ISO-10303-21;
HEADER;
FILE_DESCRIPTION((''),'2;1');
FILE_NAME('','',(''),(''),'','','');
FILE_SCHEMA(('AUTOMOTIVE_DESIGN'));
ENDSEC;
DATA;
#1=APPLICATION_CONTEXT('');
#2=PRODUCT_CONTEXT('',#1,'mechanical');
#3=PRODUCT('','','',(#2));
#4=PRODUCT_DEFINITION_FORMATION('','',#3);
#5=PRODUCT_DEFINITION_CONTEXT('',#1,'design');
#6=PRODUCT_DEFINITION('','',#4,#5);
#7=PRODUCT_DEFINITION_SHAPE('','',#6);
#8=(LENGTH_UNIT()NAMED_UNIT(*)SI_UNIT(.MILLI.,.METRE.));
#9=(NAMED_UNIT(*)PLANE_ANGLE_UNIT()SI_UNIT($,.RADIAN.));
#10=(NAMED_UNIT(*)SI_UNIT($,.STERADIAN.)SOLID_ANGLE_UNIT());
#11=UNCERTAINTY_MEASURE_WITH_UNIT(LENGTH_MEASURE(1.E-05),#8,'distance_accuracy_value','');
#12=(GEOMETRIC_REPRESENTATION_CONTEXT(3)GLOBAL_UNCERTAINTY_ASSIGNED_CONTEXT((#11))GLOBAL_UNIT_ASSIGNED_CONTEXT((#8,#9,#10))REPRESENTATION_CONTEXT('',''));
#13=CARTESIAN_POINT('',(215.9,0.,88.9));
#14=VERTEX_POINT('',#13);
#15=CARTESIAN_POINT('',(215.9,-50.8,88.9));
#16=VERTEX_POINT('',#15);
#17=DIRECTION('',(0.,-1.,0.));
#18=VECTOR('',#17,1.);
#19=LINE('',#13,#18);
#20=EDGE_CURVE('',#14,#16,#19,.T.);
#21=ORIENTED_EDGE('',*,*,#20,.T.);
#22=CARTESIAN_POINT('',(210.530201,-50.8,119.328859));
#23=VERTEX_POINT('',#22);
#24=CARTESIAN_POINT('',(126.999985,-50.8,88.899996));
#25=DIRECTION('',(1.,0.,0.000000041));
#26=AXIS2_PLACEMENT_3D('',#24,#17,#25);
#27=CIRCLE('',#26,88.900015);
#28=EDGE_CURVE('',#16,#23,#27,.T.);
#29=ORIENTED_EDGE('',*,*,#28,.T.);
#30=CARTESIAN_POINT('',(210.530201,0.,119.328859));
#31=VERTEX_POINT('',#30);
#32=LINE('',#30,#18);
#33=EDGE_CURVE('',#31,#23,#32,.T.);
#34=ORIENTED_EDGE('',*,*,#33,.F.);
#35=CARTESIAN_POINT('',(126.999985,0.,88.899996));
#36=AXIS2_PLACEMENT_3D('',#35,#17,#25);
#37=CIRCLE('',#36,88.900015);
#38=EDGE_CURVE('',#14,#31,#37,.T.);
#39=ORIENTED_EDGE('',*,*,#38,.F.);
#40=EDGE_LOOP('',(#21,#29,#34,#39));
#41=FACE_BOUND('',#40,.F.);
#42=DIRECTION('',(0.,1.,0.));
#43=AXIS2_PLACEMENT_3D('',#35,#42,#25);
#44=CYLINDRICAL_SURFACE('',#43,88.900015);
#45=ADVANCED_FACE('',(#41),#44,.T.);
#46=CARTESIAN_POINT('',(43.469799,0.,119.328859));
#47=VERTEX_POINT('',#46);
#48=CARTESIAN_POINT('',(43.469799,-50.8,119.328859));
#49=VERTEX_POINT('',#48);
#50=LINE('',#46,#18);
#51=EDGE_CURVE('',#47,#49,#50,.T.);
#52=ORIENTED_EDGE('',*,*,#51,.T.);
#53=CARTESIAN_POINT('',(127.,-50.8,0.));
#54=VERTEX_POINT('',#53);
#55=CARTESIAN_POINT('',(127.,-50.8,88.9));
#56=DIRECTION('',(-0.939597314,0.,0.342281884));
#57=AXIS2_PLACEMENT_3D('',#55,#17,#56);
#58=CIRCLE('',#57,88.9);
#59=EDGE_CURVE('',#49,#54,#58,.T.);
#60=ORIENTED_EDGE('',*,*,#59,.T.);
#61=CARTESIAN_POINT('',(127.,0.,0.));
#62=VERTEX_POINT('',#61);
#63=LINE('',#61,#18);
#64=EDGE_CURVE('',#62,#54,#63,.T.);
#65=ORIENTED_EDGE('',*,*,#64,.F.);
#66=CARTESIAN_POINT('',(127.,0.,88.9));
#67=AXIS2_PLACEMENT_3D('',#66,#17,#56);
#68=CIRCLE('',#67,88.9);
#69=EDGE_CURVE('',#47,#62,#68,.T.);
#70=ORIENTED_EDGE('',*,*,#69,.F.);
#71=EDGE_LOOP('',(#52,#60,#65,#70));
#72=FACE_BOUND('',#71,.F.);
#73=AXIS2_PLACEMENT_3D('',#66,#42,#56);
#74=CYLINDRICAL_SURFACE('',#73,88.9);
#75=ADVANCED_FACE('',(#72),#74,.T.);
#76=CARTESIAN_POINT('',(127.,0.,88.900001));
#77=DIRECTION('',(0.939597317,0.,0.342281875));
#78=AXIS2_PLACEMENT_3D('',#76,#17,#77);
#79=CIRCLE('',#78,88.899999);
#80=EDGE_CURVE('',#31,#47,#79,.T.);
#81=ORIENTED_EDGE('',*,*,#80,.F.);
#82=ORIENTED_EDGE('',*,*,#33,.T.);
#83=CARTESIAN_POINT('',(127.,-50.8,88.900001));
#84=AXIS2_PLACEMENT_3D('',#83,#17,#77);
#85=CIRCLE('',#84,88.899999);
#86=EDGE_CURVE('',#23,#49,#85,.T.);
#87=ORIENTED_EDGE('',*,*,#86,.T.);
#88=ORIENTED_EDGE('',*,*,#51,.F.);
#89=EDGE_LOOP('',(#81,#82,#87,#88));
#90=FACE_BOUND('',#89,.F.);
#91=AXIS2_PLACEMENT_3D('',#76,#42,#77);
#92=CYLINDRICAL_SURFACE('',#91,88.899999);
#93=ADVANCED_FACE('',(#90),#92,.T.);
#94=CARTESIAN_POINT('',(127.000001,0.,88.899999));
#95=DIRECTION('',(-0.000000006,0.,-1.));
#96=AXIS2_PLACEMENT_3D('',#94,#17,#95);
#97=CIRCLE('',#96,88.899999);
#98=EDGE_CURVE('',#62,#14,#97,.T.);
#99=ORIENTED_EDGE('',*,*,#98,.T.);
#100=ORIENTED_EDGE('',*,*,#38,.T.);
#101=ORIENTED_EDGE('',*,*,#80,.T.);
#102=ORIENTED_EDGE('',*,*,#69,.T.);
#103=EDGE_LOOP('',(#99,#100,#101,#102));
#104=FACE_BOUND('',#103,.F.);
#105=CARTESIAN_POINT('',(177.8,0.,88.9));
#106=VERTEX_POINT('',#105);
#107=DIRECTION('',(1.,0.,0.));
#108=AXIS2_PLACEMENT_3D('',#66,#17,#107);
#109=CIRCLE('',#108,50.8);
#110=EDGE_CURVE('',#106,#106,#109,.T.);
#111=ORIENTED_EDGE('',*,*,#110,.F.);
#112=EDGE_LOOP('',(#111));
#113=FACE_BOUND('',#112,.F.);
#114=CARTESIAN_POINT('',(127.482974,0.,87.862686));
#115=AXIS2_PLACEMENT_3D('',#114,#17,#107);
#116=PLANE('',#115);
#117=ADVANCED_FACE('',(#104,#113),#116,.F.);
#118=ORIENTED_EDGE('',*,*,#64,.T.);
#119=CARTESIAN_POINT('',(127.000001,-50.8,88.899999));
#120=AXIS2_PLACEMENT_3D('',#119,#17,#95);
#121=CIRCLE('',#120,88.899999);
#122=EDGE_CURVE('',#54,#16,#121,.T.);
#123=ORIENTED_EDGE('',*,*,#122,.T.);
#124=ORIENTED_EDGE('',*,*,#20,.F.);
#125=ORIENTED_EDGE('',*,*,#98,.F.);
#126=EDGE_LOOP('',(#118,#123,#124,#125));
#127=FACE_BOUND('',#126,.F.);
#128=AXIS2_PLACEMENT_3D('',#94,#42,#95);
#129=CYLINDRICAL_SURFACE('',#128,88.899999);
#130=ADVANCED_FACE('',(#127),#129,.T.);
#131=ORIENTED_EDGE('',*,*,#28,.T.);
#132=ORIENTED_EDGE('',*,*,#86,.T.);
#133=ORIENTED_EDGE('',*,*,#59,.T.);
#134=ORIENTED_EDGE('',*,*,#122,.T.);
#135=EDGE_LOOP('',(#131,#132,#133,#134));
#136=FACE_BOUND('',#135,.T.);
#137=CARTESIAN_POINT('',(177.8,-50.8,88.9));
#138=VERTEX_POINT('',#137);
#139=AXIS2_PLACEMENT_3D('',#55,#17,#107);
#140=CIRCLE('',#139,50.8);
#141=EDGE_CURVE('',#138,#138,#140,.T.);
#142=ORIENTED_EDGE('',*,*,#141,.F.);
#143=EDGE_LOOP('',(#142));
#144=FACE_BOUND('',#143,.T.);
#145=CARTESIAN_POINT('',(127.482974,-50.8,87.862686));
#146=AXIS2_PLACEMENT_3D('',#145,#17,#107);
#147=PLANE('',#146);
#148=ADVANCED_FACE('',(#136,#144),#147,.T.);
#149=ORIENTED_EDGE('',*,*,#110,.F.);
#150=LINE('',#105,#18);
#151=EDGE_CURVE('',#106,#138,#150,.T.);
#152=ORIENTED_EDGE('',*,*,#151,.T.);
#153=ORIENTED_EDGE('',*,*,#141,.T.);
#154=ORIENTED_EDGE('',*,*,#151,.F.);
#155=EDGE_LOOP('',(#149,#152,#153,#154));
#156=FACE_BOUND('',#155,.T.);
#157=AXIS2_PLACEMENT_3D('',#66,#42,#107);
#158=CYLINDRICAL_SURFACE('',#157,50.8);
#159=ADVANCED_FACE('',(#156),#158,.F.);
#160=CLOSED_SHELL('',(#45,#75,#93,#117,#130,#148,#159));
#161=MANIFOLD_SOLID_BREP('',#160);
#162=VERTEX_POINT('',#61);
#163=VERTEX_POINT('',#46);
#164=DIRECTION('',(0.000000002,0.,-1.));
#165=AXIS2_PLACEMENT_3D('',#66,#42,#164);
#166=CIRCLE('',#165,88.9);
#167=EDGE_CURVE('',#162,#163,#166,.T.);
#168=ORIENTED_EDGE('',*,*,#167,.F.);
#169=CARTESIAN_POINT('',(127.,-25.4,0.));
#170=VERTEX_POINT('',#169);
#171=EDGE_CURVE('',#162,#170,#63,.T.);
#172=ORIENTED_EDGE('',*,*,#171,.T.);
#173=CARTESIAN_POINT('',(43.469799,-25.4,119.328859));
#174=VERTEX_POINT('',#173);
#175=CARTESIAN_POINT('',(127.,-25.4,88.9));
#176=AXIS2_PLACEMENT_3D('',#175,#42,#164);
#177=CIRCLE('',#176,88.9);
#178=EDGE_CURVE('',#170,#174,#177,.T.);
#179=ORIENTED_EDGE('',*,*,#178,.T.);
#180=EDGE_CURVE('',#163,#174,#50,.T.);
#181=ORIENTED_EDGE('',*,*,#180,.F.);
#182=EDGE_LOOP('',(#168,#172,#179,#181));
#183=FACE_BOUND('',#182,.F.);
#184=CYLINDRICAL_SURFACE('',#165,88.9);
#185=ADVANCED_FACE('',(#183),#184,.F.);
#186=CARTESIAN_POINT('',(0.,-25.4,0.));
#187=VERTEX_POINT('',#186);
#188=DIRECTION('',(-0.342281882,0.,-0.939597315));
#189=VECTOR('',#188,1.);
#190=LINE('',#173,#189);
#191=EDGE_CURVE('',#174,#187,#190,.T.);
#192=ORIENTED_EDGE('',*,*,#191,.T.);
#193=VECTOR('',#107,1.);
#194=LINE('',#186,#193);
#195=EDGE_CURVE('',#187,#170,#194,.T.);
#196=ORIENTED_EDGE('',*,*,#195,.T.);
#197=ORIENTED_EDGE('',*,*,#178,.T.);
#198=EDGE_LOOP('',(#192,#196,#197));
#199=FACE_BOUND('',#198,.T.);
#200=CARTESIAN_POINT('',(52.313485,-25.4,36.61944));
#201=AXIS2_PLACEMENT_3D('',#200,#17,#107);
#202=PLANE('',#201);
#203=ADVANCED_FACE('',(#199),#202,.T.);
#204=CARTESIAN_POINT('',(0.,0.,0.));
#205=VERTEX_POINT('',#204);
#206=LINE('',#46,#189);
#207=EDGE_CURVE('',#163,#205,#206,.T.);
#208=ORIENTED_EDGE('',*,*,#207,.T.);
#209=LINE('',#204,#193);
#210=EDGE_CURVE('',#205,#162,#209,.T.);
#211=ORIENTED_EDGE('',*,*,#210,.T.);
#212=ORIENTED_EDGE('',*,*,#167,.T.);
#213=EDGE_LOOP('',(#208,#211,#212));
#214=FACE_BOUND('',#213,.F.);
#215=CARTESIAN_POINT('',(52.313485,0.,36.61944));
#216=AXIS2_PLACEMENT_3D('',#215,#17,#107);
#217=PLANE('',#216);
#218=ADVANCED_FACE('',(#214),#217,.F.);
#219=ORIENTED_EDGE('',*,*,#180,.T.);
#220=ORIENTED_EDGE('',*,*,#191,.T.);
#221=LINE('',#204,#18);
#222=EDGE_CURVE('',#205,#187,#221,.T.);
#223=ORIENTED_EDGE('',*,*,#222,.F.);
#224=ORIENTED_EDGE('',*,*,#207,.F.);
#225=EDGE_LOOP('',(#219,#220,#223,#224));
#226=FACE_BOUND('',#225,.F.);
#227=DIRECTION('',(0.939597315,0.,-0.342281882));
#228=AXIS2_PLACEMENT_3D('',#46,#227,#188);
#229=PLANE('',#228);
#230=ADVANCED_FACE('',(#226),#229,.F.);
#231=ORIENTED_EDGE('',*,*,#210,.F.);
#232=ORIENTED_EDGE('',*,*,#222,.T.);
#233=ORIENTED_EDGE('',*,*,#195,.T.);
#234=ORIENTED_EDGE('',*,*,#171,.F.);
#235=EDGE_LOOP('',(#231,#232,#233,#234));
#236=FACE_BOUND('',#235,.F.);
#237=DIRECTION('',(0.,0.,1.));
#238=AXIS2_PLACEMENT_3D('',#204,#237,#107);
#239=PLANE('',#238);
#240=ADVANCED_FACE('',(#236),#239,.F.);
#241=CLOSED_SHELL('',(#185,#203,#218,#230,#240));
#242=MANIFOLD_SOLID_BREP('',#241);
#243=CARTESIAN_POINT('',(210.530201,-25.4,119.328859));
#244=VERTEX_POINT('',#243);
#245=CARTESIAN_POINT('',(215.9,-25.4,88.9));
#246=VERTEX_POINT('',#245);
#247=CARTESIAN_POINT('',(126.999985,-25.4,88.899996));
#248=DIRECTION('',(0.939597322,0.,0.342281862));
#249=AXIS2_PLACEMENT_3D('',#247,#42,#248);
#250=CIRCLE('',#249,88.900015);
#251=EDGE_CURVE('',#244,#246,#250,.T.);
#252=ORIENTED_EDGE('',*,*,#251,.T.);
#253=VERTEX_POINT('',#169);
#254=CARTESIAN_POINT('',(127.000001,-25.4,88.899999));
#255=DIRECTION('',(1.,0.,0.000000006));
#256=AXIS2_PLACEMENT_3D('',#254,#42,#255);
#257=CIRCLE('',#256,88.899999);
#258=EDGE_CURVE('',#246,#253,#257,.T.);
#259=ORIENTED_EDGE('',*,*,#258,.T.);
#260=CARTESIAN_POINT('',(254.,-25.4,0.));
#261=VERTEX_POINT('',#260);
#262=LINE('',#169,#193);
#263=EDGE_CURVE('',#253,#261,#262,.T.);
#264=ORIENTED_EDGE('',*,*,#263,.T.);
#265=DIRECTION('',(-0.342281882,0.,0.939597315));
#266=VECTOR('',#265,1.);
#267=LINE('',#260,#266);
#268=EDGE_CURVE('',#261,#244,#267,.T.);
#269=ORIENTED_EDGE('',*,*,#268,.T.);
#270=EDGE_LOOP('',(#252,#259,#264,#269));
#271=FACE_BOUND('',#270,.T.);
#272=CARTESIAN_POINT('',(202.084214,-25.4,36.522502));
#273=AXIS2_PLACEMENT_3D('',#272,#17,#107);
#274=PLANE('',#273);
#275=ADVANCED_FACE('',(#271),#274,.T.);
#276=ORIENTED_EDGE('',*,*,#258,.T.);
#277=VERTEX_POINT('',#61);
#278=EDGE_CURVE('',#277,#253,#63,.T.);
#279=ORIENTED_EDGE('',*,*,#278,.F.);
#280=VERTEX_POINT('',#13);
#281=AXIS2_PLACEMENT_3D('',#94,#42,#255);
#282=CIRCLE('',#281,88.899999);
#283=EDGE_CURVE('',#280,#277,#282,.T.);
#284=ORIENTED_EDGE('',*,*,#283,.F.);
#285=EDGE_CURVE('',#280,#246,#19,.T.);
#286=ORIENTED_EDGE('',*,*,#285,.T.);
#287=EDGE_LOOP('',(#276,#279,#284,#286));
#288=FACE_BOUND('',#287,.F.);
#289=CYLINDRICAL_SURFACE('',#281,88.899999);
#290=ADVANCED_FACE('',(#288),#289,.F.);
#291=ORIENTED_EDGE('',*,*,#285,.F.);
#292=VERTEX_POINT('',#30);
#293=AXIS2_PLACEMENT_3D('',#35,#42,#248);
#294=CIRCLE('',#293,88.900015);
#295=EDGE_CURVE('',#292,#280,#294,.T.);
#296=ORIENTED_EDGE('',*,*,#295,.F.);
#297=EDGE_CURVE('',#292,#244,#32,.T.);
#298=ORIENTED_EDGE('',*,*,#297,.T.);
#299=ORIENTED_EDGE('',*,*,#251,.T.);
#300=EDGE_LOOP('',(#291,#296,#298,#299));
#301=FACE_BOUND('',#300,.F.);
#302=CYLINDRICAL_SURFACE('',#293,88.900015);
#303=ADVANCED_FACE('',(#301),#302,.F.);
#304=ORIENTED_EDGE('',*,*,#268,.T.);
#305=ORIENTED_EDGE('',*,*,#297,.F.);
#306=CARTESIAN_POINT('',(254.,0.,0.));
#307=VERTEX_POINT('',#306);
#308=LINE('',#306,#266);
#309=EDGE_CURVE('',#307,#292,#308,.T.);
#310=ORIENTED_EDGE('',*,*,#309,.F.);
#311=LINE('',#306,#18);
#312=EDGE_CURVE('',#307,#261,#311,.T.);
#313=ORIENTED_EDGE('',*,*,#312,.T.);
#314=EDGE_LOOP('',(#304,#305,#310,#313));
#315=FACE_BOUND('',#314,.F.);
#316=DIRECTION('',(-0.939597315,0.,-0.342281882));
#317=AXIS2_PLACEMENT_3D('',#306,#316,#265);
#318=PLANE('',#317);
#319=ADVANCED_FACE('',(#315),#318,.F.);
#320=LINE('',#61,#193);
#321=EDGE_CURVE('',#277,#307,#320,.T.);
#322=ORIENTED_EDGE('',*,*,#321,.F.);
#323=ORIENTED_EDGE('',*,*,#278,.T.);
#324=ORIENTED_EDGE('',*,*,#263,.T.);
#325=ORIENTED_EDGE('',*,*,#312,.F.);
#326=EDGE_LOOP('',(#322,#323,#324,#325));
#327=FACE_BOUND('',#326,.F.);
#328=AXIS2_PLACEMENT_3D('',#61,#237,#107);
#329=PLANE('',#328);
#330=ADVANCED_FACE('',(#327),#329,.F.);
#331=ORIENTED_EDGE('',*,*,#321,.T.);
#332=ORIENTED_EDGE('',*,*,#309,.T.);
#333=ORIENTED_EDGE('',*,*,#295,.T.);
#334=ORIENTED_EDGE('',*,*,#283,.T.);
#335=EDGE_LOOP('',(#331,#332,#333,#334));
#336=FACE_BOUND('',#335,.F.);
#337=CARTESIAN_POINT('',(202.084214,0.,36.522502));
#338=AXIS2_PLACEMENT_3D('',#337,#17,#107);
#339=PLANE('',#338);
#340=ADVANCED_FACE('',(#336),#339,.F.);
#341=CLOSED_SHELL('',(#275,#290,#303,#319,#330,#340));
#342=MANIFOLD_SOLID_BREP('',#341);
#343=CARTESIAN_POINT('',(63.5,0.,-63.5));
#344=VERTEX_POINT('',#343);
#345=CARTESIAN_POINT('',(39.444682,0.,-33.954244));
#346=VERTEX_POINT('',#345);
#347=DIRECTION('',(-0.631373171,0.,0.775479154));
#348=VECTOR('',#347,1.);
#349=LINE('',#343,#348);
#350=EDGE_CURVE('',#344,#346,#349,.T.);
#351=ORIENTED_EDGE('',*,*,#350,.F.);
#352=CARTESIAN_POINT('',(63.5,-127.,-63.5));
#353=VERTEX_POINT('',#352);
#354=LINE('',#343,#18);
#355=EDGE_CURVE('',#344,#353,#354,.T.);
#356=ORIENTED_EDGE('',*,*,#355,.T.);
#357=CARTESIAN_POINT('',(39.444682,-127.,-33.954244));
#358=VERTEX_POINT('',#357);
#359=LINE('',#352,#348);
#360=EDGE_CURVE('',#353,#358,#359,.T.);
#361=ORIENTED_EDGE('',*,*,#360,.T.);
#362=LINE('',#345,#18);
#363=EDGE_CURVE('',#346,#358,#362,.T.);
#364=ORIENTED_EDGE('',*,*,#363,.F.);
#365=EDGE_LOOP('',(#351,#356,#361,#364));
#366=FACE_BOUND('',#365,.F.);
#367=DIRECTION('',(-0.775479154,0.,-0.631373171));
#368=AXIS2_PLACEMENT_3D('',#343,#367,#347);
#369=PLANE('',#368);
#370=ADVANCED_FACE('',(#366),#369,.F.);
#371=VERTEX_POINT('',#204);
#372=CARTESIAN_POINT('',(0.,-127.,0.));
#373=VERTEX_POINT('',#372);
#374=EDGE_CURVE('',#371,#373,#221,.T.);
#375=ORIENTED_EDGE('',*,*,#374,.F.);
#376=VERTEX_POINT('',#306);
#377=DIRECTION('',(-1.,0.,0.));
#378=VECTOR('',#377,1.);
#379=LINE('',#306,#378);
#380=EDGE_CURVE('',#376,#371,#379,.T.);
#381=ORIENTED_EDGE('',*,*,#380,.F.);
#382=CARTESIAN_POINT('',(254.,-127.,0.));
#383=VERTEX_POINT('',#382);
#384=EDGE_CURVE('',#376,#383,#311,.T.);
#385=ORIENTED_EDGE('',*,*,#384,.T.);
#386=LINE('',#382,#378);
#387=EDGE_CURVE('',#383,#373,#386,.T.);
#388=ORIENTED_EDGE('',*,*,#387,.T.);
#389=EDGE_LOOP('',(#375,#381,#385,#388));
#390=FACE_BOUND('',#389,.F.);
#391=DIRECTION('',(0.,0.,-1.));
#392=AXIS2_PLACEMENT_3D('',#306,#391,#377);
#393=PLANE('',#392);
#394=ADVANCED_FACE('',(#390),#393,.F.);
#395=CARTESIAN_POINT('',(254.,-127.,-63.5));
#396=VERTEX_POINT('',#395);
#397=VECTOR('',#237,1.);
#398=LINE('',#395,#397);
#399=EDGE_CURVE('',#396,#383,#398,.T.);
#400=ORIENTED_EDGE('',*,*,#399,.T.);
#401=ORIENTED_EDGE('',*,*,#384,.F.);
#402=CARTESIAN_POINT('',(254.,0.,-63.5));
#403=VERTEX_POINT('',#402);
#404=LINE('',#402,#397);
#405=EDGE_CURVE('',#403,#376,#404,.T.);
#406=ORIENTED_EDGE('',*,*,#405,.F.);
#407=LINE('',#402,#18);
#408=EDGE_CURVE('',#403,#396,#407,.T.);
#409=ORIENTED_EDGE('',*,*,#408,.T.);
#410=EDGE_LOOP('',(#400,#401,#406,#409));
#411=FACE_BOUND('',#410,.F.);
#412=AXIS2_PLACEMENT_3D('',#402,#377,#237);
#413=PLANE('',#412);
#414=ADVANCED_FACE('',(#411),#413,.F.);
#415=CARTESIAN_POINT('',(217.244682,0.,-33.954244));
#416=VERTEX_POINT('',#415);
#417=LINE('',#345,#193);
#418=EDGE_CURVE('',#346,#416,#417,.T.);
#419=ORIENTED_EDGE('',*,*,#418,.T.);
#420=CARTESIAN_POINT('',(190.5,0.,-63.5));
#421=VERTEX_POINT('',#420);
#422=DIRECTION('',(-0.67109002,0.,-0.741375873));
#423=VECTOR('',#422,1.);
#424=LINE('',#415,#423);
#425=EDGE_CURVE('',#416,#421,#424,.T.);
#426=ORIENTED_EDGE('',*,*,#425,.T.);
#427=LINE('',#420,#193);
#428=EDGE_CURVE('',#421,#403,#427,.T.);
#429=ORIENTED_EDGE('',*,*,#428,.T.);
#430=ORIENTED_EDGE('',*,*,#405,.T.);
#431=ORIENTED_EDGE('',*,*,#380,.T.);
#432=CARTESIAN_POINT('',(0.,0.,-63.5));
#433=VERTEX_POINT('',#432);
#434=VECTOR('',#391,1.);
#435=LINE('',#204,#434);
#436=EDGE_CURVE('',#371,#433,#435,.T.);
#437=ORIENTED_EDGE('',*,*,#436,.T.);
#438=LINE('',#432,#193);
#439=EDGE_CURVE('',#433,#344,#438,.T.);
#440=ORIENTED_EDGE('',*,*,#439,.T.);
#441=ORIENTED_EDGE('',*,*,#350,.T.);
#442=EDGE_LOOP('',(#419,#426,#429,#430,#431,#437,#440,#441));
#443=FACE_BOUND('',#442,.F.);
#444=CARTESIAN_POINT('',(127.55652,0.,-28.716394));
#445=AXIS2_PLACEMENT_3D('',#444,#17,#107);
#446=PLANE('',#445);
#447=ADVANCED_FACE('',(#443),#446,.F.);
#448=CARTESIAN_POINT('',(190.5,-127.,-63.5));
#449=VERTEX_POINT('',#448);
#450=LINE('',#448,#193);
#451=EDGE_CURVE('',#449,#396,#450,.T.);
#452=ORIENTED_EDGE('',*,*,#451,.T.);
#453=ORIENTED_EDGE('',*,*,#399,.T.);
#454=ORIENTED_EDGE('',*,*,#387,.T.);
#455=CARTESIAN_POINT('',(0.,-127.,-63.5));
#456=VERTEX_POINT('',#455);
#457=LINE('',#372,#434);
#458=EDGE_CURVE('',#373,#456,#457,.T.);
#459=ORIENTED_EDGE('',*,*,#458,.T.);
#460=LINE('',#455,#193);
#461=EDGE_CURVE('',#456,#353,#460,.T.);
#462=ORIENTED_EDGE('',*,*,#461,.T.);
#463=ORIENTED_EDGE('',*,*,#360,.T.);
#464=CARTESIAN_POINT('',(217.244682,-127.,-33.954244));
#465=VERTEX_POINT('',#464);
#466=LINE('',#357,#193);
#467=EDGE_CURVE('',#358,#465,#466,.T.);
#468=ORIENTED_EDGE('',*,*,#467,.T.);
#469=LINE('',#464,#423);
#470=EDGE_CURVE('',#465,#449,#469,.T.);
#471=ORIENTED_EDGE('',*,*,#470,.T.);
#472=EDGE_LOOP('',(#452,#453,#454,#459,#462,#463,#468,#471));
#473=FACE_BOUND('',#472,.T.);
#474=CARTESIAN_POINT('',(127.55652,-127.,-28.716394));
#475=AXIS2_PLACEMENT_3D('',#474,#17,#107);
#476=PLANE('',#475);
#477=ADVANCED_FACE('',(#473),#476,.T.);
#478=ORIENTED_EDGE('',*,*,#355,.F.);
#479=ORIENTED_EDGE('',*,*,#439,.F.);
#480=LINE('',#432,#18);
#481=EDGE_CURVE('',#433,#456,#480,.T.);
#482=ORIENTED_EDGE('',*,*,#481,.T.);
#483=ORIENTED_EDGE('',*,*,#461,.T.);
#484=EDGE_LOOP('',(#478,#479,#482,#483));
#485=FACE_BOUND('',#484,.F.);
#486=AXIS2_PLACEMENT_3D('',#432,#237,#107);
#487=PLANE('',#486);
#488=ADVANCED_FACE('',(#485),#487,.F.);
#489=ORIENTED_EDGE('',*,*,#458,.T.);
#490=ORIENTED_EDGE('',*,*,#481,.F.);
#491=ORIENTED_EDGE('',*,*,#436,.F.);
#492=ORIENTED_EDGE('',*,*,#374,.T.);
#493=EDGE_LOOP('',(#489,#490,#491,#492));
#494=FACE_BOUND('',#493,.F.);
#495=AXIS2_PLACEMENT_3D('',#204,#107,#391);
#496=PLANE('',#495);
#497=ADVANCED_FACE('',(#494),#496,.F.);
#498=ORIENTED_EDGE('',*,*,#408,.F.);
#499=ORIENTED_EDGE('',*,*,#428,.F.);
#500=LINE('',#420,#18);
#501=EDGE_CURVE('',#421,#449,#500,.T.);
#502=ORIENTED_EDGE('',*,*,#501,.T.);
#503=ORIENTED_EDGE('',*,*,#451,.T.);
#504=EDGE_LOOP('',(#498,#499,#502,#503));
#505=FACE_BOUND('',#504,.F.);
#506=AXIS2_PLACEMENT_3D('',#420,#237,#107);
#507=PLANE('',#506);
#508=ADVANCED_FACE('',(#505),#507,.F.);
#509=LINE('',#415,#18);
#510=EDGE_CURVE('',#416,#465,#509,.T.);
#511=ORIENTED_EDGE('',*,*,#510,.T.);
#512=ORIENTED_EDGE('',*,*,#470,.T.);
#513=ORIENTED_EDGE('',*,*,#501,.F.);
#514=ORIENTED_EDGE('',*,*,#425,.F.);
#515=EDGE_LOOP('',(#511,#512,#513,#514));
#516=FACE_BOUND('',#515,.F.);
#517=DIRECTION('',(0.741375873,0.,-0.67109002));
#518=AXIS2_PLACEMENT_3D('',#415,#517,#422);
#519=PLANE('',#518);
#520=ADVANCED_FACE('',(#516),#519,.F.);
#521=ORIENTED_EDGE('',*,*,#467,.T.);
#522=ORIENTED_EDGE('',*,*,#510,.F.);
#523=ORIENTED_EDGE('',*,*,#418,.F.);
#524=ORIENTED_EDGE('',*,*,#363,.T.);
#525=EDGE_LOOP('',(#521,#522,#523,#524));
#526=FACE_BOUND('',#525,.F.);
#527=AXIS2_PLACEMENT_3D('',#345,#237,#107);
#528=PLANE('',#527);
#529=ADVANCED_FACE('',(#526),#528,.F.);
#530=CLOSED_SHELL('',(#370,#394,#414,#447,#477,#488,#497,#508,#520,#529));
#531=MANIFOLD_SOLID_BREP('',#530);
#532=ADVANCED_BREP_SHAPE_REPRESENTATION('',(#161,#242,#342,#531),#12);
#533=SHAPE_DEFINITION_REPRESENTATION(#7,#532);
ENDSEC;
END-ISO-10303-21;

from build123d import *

# Parameters (mm, degrees)
F1_DEPTH = 25.4
F2_DEPTH = 127
F0_R     = 50.8
F3_DEPTH = 50.8


with BuildPart() as f1:
    # F0 (on Front) → F1 (new body)
    with BuildSketch(Plane.XZ):
        with BuildLine():
            Line((43.469799, 119.328859), (0, 0))
            Line((0, 0), (127, 0))
            ThreePointArc((127, 0), (54.170282, 37.919198), (43.469799, 119.328859))
        make_face()
        with BuildLine():
            ThreePointArc((215.9, 88.9), (189.861793, 26.038207), (127, 0))
            Line((127, 0), (254, 0))
            Line((254, 0), (210.530201, 119.328859))
            ThreePointArc((210.530201, 119.328859), (214.547258, 104.349516), (215.9, 88.9))
        make_face()
    extrude(amount=F1_DEPTH)


with BuildPart() as f2:
    # F0 (on Front) → F2 (new body)
    with BuildSketch(Plane.XZ):
        Polygon((127, 0), (0, 0), (0, -63.5), (63.5, -63.5), (39.444682, -33.954244), (217.244682, -33.954244), (190.5, -63.5), (254, -63.5), (254, 0), align=None)
    extrude(amount=F2_DEPTH)


with BuildPart() as f3:
    # F0 (on Front) → F3 (new body)
    with BuildSketch(Plane.XZ):
        with BuildLine():
            ThreePointArc((43.469799, 119.328859), (54.170282, 37.919198), (127, 0))
            ThreePointArc((127, 0), (189.861793, 26.038207), (215.9, 88.9))
            ThreePointArc((215.9, 88.9), (214.547258, 104.349516), (210.530201, 119.328859))
            ThreePointArc((210.530201, 119.328859), (127, 177.8), (43.469799, 119.328859))
        make_face()
        with Locations((127, 88.9)):
            Circle(F0_R, mode=Mode.SUBTRACT)
    extrude(amount=F3_DEPTH)


solid = Compound([f1.part, f2.part, f3.part])
